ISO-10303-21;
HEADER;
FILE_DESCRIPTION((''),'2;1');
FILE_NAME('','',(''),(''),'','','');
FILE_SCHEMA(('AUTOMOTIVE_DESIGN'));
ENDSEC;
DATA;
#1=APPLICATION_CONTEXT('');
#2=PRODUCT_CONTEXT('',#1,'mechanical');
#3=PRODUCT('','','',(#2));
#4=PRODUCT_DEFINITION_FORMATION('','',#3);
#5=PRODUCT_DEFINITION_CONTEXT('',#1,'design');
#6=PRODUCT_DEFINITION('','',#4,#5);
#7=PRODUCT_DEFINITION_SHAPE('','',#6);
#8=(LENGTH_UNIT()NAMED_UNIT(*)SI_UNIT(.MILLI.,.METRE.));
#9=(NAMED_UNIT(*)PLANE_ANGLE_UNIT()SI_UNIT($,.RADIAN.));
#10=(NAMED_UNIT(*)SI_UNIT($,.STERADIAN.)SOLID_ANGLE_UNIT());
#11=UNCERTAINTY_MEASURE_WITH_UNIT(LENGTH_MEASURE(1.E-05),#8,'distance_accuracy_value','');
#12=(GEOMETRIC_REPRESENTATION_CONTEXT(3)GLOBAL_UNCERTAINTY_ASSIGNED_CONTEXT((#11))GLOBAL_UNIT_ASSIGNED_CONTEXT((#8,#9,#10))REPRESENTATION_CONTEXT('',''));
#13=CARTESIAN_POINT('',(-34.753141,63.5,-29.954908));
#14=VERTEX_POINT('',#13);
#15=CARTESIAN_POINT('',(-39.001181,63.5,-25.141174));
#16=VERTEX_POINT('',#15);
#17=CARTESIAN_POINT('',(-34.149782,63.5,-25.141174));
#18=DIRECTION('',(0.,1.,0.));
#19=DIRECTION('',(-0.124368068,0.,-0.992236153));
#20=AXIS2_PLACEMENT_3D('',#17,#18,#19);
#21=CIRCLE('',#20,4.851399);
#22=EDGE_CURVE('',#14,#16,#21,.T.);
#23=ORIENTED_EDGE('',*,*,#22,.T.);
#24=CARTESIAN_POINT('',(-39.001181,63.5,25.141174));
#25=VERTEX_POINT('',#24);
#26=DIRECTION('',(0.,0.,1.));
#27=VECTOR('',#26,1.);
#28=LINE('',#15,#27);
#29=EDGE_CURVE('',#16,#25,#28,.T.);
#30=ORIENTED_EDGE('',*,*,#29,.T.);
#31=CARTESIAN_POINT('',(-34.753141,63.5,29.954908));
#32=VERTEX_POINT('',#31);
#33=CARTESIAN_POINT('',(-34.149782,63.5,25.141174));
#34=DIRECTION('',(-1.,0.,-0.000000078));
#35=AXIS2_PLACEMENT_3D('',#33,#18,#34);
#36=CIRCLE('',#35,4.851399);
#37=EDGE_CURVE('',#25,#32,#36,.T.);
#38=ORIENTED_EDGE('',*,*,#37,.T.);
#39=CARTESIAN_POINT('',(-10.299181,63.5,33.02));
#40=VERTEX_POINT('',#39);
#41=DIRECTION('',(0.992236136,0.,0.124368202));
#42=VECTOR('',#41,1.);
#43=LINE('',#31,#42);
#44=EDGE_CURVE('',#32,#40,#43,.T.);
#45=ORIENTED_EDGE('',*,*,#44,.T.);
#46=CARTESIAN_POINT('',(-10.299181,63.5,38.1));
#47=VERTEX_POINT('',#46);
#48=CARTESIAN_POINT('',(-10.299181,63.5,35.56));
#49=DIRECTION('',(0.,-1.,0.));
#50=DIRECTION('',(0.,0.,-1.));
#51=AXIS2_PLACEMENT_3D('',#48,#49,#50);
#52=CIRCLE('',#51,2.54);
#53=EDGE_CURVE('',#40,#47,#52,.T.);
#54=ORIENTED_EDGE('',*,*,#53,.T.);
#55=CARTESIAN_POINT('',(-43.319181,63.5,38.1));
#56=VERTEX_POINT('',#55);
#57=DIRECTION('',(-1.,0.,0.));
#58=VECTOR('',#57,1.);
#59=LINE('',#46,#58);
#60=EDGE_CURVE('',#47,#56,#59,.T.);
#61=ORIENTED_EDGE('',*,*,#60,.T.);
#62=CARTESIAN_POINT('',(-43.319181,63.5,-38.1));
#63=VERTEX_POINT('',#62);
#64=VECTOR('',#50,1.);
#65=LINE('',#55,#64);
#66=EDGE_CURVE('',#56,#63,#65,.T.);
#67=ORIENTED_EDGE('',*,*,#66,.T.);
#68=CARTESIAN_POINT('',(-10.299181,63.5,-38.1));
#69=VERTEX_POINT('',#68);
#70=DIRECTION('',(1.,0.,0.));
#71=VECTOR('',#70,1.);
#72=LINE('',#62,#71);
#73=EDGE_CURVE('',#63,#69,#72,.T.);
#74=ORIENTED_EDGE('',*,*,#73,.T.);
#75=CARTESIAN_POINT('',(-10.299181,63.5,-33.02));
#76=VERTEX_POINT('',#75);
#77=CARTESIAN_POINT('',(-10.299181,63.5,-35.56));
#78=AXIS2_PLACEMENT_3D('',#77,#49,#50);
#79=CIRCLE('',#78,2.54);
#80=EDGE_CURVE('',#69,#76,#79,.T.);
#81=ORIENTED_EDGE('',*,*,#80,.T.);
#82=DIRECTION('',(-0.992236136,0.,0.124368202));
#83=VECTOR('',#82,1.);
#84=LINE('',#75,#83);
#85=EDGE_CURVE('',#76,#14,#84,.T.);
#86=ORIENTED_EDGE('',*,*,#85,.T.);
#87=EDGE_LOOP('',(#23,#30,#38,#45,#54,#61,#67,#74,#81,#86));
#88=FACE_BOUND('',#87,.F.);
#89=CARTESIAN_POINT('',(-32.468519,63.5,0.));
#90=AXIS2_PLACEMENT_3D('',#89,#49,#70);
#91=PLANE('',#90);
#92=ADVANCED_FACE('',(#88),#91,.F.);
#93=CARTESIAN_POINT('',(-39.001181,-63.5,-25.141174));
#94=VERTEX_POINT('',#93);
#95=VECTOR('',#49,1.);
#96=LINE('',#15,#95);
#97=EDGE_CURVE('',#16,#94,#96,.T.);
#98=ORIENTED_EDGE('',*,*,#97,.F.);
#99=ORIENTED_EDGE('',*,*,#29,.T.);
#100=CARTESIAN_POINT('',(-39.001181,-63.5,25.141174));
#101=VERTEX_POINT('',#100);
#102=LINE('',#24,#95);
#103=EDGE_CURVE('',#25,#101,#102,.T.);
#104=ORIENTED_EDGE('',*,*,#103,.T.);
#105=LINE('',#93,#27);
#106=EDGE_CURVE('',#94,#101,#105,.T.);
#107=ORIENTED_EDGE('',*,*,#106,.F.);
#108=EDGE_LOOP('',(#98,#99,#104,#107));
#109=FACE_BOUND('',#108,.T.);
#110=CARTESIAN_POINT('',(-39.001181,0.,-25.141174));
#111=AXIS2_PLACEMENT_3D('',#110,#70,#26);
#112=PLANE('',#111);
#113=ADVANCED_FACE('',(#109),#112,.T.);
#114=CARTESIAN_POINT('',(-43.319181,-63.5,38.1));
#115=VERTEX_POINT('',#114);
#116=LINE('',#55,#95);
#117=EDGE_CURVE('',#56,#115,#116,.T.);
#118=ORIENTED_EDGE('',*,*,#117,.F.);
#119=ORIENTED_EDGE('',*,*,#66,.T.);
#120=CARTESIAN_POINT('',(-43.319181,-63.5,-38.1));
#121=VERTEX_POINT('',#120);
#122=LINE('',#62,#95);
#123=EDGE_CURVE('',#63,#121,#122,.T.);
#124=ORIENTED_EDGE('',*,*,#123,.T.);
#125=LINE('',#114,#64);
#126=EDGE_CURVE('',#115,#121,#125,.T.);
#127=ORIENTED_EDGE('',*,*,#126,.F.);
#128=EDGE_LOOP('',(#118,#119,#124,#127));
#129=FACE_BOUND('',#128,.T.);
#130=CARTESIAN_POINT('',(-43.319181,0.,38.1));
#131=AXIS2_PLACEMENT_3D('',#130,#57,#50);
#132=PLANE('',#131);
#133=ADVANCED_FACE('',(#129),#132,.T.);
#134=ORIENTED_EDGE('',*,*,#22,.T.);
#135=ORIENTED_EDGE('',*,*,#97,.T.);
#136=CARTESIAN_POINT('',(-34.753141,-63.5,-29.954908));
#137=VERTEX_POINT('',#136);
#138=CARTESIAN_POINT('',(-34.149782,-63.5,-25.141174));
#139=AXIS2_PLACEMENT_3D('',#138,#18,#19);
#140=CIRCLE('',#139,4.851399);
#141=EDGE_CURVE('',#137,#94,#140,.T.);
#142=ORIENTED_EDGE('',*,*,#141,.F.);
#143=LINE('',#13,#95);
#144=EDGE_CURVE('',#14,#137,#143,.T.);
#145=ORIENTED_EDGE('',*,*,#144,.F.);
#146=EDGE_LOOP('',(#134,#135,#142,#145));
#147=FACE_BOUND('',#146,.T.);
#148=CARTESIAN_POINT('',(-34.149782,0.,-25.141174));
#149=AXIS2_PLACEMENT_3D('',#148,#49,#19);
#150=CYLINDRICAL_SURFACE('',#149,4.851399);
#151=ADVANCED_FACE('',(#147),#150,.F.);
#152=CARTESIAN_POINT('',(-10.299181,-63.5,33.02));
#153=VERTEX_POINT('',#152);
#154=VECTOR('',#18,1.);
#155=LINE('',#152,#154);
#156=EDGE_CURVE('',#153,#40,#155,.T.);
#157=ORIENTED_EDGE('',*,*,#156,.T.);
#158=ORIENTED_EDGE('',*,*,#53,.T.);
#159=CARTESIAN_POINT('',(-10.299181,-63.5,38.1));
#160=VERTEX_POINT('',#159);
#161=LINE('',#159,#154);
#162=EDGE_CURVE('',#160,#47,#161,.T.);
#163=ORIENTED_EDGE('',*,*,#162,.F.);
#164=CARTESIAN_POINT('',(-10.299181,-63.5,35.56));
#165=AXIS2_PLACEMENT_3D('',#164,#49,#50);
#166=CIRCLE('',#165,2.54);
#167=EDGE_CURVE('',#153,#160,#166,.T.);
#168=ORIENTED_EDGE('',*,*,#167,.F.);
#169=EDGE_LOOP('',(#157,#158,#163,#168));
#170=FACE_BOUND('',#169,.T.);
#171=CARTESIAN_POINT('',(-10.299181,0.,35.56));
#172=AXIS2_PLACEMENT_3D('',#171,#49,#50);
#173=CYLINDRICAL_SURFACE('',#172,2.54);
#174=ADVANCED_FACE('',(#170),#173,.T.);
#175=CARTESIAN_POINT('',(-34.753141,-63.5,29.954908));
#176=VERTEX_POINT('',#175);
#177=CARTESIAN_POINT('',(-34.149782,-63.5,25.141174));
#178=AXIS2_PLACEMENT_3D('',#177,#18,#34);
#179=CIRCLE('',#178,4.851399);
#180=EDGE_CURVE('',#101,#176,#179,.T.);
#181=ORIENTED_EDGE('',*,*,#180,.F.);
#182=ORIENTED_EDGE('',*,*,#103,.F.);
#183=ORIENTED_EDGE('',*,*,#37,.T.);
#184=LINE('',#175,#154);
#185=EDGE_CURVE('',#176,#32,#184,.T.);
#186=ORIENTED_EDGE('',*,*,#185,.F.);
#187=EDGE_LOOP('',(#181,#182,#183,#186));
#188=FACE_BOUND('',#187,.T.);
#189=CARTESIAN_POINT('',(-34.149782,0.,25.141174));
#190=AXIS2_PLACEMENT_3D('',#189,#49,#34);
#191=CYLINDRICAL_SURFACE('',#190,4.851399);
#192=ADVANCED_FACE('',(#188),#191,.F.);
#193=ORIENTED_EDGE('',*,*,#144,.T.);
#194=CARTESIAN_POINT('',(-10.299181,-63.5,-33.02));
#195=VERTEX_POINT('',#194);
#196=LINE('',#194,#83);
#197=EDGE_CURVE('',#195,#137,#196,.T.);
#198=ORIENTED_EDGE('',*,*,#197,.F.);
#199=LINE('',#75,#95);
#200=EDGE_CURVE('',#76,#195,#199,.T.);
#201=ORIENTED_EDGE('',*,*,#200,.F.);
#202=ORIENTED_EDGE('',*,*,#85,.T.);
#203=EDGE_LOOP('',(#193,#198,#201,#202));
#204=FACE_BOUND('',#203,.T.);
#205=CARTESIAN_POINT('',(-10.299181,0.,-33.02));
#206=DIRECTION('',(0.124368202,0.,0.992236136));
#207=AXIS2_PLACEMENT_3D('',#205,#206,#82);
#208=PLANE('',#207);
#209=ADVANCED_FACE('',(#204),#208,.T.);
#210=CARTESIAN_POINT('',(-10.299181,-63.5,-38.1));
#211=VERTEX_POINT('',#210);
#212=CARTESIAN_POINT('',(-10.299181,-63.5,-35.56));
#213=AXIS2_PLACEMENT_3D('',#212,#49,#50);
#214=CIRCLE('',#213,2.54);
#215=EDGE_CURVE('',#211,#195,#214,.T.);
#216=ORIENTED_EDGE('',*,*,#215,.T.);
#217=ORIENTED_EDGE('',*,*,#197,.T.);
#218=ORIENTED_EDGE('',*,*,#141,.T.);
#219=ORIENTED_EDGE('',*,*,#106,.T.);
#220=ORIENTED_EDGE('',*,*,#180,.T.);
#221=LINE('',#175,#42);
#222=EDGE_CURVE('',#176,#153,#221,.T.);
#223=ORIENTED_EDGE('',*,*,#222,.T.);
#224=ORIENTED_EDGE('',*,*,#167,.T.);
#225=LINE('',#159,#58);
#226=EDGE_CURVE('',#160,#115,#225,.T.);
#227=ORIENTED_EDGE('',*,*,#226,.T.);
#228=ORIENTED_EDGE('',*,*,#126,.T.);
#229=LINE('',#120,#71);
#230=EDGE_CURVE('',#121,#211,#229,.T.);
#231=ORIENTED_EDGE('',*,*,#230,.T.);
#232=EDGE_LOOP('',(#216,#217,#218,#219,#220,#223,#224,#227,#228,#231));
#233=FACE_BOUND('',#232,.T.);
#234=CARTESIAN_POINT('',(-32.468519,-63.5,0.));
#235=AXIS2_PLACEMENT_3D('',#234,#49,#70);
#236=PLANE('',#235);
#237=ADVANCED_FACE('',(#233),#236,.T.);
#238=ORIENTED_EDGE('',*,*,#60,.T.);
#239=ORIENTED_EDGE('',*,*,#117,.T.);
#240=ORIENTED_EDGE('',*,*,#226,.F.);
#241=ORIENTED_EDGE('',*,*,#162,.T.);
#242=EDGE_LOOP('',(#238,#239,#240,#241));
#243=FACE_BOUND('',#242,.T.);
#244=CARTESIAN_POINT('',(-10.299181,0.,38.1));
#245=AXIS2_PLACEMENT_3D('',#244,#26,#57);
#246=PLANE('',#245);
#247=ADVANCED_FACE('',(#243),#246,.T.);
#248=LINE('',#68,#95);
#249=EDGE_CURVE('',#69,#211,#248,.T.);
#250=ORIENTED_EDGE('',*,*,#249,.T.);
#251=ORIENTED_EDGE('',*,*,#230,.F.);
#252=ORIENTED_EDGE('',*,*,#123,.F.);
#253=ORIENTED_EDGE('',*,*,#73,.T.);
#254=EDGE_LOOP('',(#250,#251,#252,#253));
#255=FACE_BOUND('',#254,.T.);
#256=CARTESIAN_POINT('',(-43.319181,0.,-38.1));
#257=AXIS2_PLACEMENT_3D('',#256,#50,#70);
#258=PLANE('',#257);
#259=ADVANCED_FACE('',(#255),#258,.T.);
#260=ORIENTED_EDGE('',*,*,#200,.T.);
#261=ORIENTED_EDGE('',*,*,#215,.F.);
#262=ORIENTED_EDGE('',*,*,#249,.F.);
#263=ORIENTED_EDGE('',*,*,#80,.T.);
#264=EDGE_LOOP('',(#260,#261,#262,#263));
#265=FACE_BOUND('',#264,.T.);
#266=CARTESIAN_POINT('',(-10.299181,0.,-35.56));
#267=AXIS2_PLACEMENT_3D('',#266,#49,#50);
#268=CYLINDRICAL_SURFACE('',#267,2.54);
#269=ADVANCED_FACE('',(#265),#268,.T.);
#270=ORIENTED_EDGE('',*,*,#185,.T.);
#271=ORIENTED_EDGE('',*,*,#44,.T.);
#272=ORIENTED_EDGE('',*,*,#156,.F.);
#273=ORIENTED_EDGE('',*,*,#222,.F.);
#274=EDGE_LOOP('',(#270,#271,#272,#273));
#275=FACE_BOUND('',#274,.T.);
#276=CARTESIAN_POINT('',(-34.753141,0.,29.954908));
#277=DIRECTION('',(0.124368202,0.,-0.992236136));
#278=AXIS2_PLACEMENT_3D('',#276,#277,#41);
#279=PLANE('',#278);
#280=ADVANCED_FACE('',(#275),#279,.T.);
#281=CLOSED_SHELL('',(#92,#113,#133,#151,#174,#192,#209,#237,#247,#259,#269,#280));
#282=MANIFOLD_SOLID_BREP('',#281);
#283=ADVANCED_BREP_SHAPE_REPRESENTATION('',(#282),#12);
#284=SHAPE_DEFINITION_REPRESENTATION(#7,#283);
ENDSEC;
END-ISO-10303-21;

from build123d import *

# Parameters (mm, degrees)
F1_DEPTH = 63.5


with BuildPart() as f1:
    # F0 (on Front) → F1 (new body, symmetric)
    with BuildSketch(Plane.XZ):
        with BuildLine():
            Line((-10.299181, 38.1), (-43.319181, 38.1))
            Line((-43.319181, 38.1), (-43.319181, 0))
            Line((-43.319181, 0), (-43.319181, -38.1))
            Line((-43.319181, -38.1), (-10.299181, -38.1))
            ThreePointArc((-10.299181, -38.1), (-7.759181, -35.56), (-10.299181, -33.02))
            Line((-10.299181, -33.02), (-34.753141, -29.954908))
            ThreePointArc((-34.753141, -29.954908), (-37.787309, -28.351232), (-39.001181, -25.141174))
            Line((-39.001181, -25.141174), (-39.001181, 0))
            Line((-39.001181, 0), (-39.001181, 25.141174))
            ThreePointArc((-39.001181, 25.141174), (-37.787309, 28.351232), (-34.753141, 29.954908))
            Line((-34.753141, 29.954908), (-10.299181, 33.02))
            ThreePointArc((-10.299181, 33.02), (-7.759181, 35.56), (-10.299181, 38.1))
        make_face()
    extrude(amount=F1_DEPTH, both=True)


solid = f1.part
